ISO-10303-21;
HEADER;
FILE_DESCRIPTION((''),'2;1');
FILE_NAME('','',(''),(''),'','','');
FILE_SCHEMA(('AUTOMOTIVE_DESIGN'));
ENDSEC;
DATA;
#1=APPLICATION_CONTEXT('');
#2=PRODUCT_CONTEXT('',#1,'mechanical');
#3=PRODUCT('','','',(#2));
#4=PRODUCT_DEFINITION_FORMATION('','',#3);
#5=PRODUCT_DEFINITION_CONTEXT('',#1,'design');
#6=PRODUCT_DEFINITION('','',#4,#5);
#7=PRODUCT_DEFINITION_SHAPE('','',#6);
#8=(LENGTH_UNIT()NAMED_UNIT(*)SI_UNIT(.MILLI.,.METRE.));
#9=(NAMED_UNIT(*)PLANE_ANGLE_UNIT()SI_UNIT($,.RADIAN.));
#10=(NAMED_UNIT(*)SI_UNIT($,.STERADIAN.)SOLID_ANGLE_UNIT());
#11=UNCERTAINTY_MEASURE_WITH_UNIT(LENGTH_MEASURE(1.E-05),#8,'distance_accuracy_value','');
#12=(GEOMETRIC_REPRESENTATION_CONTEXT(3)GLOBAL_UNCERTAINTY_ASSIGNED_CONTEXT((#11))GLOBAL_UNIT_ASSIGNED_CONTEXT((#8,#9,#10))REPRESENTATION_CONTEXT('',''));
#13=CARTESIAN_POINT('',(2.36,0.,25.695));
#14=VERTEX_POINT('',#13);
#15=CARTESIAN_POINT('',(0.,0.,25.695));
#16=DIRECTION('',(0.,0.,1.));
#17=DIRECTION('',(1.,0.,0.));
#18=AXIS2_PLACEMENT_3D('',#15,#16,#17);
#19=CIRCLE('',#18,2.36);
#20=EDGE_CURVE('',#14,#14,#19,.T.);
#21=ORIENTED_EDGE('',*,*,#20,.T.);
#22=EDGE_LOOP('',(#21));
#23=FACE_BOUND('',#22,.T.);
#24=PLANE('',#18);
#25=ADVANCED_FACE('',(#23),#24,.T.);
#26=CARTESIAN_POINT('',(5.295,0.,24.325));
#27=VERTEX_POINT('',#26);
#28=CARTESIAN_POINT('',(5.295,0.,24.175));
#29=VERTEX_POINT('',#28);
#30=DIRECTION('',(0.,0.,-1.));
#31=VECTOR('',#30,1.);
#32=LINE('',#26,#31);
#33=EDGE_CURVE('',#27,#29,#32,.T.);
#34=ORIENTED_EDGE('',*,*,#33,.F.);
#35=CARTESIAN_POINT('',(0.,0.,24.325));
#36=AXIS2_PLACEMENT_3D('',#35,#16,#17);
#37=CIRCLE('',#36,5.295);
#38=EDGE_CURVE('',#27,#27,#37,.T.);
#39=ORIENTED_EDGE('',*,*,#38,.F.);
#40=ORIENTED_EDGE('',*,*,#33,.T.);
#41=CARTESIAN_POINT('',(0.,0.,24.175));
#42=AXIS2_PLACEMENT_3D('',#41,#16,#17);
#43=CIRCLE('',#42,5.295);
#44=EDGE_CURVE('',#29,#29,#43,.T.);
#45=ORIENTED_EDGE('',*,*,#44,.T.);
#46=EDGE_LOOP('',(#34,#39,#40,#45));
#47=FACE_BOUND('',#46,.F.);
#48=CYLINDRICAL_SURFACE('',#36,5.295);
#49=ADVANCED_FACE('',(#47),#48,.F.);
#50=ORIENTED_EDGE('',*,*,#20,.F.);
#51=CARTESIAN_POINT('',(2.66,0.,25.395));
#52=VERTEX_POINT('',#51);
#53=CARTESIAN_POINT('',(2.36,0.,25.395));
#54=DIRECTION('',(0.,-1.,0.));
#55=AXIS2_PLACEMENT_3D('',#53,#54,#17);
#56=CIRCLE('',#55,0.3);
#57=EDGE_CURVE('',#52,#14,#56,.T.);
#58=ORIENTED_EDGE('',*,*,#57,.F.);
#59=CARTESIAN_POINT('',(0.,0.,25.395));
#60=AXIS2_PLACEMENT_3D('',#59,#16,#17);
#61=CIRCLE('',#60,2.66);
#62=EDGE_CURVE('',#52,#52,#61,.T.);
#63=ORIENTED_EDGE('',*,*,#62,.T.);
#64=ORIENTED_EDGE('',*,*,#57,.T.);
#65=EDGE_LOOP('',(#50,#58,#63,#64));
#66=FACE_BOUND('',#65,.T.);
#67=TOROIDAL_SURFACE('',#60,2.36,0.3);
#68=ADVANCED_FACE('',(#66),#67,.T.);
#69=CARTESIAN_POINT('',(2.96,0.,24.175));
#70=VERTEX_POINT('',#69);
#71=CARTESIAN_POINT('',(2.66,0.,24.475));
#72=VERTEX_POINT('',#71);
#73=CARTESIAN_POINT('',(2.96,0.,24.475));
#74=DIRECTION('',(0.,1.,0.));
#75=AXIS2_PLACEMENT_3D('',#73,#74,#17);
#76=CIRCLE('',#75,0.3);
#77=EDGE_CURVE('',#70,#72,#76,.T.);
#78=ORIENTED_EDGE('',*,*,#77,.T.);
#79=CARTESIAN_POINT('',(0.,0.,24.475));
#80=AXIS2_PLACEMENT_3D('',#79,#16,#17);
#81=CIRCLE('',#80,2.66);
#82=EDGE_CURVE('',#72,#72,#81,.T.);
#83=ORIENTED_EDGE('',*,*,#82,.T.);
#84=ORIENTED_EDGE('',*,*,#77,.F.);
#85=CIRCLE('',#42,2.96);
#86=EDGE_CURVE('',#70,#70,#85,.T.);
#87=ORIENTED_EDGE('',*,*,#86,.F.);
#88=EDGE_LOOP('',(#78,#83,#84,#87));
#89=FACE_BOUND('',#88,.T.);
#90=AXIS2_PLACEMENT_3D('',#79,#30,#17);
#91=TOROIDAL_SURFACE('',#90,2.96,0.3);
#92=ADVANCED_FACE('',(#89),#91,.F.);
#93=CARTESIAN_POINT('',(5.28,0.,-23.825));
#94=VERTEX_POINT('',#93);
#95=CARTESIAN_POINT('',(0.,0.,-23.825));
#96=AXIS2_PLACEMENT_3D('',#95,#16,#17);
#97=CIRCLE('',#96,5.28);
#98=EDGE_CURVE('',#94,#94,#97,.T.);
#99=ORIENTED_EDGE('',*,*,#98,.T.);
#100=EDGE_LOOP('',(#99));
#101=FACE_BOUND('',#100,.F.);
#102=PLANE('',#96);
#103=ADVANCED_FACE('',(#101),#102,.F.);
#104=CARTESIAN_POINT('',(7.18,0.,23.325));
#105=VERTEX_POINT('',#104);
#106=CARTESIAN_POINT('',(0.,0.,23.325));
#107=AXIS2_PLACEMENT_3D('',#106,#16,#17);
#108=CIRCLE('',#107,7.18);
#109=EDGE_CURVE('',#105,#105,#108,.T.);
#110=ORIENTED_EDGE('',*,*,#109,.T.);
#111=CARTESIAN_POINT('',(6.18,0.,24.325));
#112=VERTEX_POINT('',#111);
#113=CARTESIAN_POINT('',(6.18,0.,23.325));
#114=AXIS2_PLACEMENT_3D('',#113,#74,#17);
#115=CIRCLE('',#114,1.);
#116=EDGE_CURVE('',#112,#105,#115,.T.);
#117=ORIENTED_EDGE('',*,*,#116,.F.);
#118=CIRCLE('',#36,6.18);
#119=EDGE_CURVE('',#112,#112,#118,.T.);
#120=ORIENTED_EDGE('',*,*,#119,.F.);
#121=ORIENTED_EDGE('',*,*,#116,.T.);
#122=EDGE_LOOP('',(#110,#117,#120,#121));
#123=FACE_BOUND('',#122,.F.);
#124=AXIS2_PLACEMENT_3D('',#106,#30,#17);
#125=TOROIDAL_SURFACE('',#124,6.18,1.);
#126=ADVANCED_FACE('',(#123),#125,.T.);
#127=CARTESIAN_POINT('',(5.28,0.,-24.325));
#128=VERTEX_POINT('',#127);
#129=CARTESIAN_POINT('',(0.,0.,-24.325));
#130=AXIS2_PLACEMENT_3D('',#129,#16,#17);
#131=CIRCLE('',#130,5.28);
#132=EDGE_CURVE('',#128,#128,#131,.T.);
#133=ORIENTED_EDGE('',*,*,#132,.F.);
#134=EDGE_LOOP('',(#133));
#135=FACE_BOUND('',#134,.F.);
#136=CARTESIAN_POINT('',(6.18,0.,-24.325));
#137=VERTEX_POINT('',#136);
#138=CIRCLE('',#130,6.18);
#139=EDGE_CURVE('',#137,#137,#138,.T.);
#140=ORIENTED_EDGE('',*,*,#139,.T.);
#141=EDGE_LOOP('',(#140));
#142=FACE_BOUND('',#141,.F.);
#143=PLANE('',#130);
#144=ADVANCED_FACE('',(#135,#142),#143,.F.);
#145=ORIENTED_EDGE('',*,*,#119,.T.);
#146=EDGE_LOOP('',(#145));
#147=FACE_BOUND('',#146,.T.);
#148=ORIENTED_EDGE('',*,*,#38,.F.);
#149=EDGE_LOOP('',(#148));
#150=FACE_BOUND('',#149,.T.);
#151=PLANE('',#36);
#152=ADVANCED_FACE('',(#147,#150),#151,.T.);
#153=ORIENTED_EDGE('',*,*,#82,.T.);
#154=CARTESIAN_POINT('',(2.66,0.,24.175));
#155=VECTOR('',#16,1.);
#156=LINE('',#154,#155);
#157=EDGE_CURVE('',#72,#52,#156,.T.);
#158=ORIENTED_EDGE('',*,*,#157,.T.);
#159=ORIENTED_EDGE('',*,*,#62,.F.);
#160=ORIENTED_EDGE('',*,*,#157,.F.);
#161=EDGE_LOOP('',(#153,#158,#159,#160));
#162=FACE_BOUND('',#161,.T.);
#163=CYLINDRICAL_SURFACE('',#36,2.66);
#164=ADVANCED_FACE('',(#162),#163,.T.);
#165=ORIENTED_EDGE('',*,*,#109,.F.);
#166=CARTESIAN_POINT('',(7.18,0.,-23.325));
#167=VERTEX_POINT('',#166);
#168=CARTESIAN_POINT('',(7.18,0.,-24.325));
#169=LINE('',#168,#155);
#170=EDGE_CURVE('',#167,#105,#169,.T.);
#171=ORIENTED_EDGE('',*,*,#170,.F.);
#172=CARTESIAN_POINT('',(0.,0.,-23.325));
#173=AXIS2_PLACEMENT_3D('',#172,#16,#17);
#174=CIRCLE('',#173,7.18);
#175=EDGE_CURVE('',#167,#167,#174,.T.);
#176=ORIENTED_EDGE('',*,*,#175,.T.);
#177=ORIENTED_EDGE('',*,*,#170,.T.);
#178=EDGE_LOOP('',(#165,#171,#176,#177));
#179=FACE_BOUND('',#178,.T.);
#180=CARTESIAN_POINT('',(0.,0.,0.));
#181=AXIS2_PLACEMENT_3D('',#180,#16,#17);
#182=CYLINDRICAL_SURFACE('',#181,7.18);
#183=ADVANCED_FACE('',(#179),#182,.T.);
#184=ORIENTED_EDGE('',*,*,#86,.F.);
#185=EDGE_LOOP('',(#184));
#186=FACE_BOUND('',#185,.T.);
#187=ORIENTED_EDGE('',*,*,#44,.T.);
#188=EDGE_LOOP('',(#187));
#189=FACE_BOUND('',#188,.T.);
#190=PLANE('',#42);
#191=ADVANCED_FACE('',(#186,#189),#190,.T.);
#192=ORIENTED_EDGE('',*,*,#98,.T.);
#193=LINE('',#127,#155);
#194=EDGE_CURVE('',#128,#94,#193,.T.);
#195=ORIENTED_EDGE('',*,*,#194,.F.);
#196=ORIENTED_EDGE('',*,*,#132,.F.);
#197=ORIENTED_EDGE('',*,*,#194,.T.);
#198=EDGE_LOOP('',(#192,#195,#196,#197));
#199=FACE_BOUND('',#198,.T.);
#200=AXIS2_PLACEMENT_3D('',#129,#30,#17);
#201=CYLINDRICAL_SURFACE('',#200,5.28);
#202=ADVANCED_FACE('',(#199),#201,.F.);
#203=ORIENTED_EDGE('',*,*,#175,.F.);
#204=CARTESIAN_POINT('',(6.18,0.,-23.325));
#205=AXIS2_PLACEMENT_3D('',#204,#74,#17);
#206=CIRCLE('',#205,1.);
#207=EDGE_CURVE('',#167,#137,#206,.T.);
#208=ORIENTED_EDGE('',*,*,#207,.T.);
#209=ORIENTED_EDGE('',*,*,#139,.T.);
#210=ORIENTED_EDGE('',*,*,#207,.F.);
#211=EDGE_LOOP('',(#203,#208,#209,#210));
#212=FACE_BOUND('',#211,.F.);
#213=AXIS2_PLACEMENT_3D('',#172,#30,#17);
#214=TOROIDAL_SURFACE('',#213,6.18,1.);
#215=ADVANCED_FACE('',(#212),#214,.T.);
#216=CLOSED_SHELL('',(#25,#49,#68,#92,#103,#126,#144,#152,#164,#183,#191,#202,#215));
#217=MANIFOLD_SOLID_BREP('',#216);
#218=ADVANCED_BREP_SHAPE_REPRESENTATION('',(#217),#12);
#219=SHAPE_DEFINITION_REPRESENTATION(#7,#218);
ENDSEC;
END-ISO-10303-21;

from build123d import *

# Parameters (mm, degrees)
SKETCH_R          = 7.18
PAD_DEPTH         = 24.325
SKETCH001_R       = 5.295
POCKET_DEPTH      = 0.15
SKETCH002_R       = 2.66
PAD001_DEPTH      = 1.37
PAD001_DEPTH_BACK = 1
SKETCH003_R       = 5.28
POCKET001_DEPTH   = 0.5
FILLET_R          = 1
FILLET001_R       = 0.3


with BuildPart() as part:
    # Sketch → Pad (new body, symmetric)
    with BuildSketch(Plane.XY):
        Circle(SKETCH_R)
    extrude(amount=PAD_DEPTH, both=True)

    # Sketch001 (on DatumPlane) → Pocket (cut)
    with BuildSketch(Plane.XY.offset(24.325)):
        Circle(SKETCH001_R)
    extrude(amount=-POCKET_DEPTH, mode=Mode.SUBTRACT)

    # Sketch002 (on DatumPlane) → Pad001 (join, two sides)
    with BuildSketch(Plane.XY.offset(24.325)) as pad001_sk:
        Circle(SKETCH002_R)
    extrude(amount=PAD001_DEPTH)
    extrude(pad001_sk.sketch, amount=-PAD001_DEPTH_BACK)

    # Sketch003 (on DatumPlane) → Pocket001 (cut)
    with BuildSketch(Plane.XY.offset(-24.325)):
        Circle(SKETCH003_R)
    extrude(amount=POCKET001_DEPTH, mode=Mode.SUBTRACT)

    # Fillet
    fillet_edges = [part.edges().sort_by_distance(p)[0] for p in [
        (-7.18, 0, 24.325),
        (-7.18, 0, -24.325),
    ]]
    fillet(fillet_edges, radius=FILLET_R)

    # Fillet001
    fillet001_edges = [part.edges().sort_by_distance(p)[0] for p in [
        (-2.66, 0, 25.695),
        (-2.66, 0, 24.175),
    ]]
    fillet(fillet001_edges, radius=FILLET001_R)


solid = part.part
